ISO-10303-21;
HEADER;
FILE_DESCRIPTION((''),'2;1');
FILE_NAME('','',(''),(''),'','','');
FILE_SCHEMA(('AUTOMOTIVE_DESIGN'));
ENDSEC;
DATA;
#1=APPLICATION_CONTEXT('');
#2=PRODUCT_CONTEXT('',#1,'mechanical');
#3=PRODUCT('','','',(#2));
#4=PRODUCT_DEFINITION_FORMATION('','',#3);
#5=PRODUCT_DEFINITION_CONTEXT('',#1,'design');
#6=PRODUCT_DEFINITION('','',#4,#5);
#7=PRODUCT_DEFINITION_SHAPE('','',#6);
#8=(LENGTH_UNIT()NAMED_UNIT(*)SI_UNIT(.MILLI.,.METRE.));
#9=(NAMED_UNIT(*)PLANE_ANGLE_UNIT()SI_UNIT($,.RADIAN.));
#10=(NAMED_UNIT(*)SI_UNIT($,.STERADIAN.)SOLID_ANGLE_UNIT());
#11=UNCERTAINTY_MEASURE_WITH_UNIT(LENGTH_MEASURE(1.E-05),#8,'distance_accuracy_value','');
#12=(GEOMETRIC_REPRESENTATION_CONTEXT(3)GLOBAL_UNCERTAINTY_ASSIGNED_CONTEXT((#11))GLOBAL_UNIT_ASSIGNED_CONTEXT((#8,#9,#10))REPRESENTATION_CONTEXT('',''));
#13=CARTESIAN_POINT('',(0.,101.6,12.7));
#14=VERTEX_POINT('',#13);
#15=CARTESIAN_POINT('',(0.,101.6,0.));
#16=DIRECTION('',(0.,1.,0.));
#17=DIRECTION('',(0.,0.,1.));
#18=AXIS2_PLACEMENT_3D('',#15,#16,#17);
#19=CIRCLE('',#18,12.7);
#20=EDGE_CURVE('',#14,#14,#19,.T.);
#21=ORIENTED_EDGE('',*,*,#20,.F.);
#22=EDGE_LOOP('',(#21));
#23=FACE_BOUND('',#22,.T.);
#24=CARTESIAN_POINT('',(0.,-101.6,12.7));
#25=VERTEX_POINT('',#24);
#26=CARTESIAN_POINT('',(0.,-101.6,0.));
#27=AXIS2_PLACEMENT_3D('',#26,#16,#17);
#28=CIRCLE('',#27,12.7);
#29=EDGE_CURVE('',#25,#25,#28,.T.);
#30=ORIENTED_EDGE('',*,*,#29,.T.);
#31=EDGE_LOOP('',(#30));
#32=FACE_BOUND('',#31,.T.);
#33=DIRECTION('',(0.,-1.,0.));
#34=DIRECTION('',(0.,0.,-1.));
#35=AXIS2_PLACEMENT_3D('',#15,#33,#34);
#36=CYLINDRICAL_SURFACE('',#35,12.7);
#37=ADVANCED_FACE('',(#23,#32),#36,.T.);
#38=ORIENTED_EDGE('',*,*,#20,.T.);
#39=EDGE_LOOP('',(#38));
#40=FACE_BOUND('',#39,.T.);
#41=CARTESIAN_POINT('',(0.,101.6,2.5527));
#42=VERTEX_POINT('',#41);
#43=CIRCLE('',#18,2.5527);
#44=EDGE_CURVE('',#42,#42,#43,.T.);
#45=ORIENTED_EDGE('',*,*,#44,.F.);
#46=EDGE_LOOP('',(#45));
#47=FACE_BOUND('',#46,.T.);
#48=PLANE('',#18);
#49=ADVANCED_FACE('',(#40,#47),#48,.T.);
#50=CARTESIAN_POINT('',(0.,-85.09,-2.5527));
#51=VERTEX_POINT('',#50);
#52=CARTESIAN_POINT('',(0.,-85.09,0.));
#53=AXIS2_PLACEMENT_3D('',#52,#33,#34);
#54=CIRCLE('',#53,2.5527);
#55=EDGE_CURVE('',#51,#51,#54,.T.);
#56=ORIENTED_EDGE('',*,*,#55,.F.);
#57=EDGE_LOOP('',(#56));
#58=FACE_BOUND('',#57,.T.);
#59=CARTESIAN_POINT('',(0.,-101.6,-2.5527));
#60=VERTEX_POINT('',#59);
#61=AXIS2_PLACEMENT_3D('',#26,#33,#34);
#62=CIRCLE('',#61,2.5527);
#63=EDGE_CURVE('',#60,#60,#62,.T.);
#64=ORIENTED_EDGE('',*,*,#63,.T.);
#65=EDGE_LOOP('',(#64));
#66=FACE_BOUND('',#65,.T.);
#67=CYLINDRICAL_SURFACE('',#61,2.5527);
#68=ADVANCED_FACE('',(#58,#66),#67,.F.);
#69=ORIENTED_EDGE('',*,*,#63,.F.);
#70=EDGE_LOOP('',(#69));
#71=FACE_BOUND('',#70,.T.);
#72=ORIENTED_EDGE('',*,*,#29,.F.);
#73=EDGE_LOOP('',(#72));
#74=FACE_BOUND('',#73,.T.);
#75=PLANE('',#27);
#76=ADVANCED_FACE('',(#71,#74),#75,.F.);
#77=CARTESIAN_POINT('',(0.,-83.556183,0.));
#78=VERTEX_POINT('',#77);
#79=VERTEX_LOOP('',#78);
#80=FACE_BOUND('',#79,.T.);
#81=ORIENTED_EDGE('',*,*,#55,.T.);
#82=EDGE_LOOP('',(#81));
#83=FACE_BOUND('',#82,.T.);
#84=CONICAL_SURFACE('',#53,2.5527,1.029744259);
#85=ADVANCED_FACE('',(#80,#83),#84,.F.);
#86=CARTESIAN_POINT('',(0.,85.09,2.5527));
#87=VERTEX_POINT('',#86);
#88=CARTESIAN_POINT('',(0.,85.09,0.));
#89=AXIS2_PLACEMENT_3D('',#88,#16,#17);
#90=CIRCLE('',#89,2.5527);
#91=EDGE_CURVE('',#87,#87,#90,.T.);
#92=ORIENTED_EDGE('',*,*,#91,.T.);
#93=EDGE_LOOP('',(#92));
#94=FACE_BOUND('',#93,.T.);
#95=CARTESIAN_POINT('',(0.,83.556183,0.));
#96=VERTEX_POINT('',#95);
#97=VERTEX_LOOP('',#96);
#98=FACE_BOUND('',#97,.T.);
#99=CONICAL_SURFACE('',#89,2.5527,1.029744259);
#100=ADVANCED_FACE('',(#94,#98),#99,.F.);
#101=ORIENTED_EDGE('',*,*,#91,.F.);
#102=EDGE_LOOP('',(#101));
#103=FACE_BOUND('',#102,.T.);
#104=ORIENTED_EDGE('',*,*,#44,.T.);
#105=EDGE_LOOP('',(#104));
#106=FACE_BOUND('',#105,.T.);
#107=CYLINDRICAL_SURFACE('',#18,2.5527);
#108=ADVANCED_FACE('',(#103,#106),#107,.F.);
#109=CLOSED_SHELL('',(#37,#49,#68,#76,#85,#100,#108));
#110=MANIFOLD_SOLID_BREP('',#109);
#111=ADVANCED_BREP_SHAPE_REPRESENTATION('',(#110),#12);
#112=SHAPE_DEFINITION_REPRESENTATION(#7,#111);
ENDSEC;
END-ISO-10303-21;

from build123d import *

# Parameters (mm, degrees)
SKETCH1_R                             = 12.7
BOSS_EXTRUDE1_DEPTH                   = 101.6
F_1_4_20_TAPPED_HOLE1_D               = 5.1054
F_1_4_20_TAPPED_HOLE1_DEPTH           = 16.51
F_1_4_20_TAPPED_HOLE1_TIP             = 1.533816902
F_1_4_20_TAPPED_HOLE1_ON_FACE_2_D     = 5.1054
F_1_4_20_TAPPED_HOLE1_ON_FACE_2_DEPTH = 16.51
F_1_4_20_TAPPED_HOLE1_ON_FACE_2_TIP   = 1.533816902


with BuildPart() as part:
    # Sketch1 → Boss-Extrude1 (new, symmetric)
    with BuildSketch(Plane(origin=(0, 0, 0), x_dir=(1, 0, 0), z_dir=(0, 1, 0))):
        with Locations(Location((0, 0, 0), (0, 0, 270))):
            Circle(SKETCH1_R)
    extrude(amount=BOSS_EXTRUDE1_DEPTH, both=True)

    # 1/4-20 Tapped Hole1
    with Locations(Plane.ZX.offset(101.6)):
        with Locations((0, 0)):
            Hole(F_1_4_20_TAPPED_HOLE1_D / 2, depth=F_1_4_20_TAPPED_HOLE1_DEPTH)
            with Locations((0, 0, -(F_1_4_20_TAPPED_HOLE1_DEPTH + F_1_4_20_TAPPED_HOLE1_TIP / 2))):  # 118° drill point
                Cone(0, F_1_4_20_TAPPED_HOLE1_D / 2, F_1_4_20_TAPPED_HOLE1_TIP, mode=Mode.SUBTRACT)

    # 1/4-20 Tapped Hole1 on face 2
    with Locations(Plane(origin=(0, -101.6, 0), x_dir=(0, 0, -1), z_dir=(0, -1, 0))):
        with Locations((0, 0)):
            Hole(F_1_4_20_TAPPED_HOLE1_ON_FACE_2_D / 2, depth=F_1_4_20_TAPPED_HOLE1_ON_FACE_2_DEPTH)
            with Locations((0, 0, -(F_1_4_20_TAPPED_HOLE1_ON_FACE_2_DEPTH + F_1_4_20_TAPPED_HOLE1_ON_FACE_2_TIP / 2))):  # 118° drill point
                Cone(0, F_1_4_20_TAPPED_HOLE1_ON_FACE_2_D / 2, F_1_4_20_TAPPED_HOLE1_ON_FACE_2_TIP, mode=Mode.SUBTRACT)


solid = part.part
